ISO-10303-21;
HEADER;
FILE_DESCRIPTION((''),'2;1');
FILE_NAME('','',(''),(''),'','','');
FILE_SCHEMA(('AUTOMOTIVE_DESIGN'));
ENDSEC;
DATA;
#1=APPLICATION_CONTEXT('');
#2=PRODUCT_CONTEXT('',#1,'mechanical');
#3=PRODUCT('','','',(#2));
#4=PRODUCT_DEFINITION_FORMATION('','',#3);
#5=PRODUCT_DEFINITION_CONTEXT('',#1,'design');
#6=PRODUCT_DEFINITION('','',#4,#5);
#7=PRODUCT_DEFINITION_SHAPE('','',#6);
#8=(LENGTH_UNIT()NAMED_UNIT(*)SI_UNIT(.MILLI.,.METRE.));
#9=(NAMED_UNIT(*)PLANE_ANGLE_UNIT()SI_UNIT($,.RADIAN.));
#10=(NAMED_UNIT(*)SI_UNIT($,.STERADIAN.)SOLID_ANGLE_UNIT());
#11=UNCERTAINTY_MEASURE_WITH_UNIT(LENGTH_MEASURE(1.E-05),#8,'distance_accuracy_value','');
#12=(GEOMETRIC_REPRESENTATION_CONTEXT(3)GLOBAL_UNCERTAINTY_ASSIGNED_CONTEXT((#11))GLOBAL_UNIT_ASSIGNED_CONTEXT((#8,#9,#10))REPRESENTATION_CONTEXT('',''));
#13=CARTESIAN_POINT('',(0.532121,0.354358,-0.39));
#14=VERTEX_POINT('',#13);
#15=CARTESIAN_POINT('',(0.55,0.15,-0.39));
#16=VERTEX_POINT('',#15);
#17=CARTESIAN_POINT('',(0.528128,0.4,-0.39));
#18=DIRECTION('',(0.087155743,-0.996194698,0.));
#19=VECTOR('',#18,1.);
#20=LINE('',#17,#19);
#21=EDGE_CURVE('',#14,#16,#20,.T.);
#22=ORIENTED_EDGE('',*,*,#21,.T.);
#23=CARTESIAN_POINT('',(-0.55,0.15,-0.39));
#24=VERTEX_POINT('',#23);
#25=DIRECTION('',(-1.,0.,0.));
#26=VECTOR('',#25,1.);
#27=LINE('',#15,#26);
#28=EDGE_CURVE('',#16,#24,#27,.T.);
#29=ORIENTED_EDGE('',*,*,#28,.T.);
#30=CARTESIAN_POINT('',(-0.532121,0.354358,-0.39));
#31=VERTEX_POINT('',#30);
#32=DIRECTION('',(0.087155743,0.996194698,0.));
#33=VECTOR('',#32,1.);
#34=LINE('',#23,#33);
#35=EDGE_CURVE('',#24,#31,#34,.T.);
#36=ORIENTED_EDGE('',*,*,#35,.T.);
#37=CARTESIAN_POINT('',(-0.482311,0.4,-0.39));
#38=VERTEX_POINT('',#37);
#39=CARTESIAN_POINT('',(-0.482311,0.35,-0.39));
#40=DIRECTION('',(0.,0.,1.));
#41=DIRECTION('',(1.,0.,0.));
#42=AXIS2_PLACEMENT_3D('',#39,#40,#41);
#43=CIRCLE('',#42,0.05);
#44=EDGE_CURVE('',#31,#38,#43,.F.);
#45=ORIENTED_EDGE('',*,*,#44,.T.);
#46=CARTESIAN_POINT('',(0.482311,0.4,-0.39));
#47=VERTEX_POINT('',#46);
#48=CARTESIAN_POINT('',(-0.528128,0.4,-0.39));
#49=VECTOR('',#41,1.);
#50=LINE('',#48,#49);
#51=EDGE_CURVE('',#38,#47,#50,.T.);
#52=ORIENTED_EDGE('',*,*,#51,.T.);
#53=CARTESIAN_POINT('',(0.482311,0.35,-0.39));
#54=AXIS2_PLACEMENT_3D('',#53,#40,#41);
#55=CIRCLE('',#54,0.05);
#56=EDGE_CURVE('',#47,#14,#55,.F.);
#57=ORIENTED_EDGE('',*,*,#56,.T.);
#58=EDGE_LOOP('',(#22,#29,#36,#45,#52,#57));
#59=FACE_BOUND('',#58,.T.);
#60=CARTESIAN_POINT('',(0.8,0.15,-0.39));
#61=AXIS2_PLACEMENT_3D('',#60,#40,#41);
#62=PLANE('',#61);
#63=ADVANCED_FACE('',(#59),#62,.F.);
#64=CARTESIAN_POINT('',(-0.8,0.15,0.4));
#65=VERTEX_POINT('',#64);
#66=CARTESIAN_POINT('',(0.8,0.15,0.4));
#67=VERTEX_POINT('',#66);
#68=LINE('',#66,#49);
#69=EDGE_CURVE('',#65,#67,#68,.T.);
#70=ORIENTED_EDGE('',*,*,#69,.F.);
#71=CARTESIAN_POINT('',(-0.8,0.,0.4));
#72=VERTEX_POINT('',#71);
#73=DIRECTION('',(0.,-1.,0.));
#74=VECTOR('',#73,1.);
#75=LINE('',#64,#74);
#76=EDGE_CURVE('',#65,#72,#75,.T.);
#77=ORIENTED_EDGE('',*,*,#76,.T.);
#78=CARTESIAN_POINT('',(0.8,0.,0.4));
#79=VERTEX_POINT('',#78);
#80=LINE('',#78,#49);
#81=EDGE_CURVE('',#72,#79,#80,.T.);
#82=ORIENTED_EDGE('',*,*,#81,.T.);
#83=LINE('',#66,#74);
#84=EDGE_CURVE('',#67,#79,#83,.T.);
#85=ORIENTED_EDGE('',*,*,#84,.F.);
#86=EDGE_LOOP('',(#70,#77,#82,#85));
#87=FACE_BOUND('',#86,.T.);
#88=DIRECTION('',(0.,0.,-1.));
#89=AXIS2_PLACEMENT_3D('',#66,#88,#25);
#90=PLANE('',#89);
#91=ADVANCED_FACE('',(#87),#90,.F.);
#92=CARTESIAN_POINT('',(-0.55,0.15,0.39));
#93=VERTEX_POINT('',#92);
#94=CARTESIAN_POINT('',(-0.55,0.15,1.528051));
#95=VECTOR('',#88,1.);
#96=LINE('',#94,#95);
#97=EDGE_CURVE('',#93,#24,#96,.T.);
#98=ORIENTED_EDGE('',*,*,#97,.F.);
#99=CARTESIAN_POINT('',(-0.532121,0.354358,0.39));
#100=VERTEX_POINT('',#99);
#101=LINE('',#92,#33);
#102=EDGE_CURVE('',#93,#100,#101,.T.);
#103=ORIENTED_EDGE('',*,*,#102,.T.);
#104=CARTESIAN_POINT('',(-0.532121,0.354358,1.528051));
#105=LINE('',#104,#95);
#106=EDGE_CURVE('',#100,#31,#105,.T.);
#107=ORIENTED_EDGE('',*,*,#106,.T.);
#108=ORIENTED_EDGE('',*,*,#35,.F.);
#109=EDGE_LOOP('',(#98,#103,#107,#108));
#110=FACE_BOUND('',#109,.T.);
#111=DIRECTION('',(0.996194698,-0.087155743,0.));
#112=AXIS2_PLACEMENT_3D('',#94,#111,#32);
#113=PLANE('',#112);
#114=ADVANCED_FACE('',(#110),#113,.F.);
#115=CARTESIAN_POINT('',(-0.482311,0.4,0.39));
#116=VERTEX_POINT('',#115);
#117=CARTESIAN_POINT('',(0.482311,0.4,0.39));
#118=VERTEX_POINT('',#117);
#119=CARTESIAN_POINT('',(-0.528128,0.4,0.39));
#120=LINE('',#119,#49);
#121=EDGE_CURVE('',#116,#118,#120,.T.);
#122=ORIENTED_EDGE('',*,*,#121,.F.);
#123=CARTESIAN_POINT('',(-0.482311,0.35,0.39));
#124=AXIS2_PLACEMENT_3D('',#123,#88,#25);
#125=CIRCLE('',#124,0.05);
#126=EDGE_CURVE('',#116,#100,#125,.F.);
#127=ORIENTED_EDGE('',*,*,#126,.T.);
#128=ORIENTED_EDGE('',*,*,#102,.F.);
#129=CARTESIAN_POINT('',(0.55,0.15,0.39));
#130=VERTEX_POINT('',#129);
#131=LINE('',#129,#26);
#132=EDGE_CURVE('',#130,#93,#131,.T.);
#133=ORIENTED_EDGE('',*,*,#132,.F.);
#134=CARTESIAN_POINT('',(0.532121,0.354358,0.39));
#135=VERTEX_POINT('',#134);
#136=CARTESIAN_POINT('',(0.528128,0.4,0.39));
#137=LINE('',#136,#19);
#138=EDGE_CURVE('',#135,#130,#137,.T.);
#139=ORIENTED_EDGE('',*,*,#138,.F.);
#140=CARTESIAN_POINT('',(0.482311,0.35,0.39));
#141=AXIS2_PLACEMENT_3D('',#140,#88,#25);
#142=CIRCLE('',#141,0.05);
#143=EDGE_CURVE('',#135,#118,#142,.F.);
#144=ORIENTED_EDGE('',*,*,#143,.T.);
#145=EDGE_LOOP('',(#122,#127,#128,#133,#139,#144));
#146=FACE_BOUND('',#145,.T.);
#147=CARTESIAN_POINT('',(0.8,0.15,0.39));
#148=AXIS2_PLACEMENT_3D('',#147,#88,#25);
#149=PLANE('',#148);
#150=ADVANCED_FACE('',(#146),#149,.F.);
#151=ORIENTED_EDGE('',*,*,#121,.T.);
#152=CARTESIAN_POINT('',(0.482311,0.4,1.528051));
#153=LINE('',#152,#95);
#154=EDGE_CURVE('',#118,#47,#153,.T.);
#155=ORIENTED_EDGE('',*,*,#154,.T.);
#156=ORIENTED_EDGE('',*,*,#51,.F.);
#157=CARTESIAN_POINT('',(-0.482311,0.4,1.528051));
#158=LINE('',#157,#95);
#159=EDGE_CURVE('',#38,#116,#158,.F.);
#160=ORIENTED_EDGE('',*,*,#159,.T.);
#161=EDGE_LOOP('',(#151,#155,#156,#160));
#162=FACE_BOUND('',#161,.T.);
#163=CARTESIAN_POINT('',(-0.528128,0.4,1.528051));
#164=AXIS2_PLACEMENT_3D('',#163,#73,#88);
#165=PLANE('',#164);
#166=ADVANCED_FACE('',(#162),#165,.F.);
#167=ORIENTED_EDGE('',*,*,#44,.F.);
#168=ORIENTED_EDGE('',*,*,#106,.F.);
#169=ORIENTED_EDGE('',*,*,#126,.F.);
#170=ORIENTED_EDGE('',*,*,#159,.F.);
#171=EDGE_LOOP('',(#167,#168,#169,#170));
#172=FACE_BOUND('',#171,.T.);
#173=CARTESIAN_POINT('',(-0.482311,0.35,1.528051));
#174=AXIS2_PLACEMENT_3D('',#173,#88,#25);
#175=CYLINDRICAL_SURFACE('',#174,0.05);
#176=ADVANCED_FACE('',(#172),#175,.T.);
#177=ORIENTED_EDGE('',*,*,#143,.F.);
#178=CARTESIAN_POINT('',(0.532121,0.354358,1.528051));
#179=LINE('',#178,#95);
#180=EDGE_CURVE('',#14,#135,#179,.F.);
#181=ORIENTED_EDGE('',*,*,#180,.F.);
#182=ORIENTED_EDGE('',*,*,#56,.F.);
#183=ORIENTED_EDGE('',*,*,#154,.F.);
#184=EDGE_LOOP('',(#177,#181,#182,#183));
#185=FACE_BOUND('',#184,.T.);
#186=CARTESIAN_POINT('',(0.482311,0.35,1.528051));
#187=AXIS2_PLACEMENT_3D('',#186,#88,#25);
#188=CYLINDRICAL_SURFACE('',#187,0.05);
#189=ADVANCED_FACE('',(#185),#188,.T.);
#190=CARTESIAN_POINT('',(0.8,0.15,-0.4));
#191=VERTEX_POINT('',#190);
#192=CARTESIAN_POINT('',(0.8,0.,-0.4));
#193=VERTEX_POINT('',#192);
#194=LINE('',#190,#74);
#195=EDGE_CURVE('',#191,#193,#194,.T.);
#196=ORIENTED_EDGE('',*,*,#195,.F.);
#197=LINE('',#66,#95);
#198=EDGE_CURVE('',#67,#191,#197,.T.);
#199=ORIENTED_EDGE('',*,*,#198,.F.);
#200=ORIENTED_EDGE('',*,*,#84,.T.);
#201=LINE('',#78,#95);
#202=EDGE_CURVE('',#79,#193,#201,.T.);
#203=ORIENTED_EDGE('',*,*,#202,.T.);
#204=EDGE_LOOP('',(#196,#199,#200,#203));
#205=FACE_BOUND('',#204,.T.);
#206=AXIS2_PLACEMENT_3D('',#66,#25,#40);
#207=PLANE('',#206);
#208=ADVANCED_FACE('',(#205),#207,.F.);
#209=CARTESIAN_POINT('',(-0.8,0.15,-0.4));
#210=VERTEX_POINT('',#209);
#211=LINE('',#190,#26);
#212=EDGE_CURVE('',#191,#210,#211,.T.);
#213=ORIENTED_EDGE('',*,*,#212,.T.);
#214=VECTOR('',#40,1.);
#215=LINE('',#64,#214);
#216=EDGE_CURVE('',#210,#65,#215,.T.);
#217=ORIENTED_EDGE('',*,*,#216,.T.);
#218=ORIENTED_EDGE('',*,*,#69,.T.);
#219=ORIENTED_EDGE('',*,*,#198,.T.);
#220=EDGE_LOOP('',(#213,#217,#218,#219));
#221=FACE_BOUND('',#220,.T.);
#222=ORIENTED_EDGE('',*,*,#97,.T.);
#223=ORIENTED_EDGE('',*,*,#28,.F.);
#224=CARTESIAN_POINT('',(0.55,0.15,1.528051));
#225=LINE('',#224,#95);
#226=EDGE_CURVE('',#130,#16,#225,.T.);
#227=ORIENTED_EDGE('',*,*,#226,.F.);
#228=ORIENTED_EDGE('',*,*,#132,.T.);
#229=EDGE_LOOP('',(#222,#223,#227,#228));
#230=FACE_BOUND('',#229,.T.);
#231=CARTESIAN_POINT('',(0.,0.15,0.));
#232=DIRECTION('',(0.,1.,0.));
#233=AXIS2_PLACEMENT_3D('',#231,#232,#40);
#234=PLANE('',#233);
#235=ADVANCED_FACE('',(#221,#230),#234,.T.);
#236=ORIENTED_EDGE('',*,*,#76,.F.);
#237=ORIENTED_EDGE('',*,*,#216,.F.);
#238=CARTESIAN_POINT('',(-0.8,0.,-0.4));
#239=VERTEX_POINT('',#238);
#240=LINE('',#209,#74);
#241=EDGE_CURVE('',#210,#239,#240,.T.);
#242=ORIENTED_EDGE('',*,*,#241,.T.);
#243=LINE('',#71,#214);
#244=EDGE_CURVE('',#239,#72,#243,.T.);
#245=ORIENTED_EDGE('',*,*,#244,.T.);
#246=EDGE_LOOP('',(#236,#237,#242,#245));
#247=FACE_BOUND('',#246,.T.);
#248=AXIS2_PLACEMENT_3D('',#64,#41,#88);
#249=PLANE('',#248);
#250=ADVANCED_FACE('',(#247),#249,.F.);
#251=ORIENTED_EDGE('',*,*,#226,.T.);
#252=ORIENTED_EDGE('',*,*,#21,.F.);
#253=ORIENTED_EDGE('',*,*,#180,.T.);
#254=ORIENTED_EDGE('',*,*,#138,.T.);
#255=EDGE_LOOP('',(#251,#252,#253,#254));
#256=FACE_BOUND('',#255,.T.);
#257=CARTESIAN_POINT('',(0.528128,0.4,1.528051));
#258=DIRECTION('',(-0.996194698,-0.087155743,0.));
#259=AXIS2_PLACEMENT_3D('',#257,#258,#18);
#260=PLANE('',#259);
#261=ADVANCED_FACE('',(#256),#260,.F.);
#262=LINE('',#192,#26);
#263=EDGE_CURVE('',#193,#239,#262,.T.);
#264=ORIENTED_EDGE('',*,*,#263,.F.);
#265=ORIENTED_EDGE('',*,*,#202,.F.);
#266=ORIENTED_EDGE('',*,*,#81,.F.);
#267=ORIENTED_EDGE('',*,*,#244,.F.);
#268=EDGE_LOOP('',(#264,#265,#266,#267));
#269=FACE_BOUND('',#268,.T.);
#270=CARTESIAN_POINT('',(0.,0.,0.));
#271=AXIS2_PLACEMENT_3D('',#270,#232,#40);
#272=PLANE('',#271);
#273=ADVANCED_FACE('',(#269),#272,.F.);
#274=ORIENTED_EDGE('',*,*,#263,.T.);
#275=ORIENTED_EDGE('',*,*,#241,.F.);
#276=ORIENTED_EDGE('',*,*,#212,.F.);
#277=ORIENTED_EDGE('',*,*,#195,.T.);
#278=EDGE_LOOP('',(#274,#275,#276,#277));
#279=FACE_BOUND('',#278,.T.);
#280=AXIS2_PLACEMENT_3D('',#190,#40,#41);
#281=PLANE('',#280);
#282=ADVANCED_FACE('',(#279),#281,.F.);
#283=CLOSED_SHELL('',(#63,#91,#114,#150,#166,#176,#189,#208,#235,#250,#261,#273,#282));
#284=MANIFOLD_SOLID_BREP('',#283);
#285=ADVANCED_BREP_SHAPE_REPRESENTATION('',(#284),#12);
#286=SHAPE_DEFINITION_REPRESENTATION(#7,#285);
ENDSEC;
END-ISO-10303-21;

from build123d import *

# Parameters (mm, degrees)
SKETCH1_W       = 1.6
SKETCH1_H       = 0.8
BASE_DEPTH      = 0.15
LENS_DEPTH      = 0.39
LENS_DEPTH_BACK = 0.39
LENS_ROUNDS_R   = 0.05


with BuildPart() as part:
    # Sketch1 → Base (new body)
    with BuildSketch(Plane(origin=(0, 0, 0), x_dir=(1, 0, 0), z_dir=(0, 1, 0))):
        Rectangle(SKETCH1_W, SKETCH1_H)
    extrude(amount=BASE_DEPTH)

    # Sketch2 → Lens (add, two sides: drawn at the far end of the back side and taken through both)
    with BuildSketch(Plane.XY.offset(-LENS_DEPTH_BACK)):
        Polygon((-0.55, 0.15), (-0.528127834, 0.4), (0.528127834, 0.4), (0.55, 0.15), align=None)
    extrude(amount=LENS_DEPTH + LENS_DEPTH_BACK)

    # Lens Rounds
    lens_rounds_edges = [part.edges().sort_by_distance(p)[0] for p in [
        (-0.528127834, 0.4, 0),
        (0.528127834, 0.4, 0),
    ]]
    fillet(lens_rounds_edges, radius=LENS_ROUNDS_R)


solid = part.part
